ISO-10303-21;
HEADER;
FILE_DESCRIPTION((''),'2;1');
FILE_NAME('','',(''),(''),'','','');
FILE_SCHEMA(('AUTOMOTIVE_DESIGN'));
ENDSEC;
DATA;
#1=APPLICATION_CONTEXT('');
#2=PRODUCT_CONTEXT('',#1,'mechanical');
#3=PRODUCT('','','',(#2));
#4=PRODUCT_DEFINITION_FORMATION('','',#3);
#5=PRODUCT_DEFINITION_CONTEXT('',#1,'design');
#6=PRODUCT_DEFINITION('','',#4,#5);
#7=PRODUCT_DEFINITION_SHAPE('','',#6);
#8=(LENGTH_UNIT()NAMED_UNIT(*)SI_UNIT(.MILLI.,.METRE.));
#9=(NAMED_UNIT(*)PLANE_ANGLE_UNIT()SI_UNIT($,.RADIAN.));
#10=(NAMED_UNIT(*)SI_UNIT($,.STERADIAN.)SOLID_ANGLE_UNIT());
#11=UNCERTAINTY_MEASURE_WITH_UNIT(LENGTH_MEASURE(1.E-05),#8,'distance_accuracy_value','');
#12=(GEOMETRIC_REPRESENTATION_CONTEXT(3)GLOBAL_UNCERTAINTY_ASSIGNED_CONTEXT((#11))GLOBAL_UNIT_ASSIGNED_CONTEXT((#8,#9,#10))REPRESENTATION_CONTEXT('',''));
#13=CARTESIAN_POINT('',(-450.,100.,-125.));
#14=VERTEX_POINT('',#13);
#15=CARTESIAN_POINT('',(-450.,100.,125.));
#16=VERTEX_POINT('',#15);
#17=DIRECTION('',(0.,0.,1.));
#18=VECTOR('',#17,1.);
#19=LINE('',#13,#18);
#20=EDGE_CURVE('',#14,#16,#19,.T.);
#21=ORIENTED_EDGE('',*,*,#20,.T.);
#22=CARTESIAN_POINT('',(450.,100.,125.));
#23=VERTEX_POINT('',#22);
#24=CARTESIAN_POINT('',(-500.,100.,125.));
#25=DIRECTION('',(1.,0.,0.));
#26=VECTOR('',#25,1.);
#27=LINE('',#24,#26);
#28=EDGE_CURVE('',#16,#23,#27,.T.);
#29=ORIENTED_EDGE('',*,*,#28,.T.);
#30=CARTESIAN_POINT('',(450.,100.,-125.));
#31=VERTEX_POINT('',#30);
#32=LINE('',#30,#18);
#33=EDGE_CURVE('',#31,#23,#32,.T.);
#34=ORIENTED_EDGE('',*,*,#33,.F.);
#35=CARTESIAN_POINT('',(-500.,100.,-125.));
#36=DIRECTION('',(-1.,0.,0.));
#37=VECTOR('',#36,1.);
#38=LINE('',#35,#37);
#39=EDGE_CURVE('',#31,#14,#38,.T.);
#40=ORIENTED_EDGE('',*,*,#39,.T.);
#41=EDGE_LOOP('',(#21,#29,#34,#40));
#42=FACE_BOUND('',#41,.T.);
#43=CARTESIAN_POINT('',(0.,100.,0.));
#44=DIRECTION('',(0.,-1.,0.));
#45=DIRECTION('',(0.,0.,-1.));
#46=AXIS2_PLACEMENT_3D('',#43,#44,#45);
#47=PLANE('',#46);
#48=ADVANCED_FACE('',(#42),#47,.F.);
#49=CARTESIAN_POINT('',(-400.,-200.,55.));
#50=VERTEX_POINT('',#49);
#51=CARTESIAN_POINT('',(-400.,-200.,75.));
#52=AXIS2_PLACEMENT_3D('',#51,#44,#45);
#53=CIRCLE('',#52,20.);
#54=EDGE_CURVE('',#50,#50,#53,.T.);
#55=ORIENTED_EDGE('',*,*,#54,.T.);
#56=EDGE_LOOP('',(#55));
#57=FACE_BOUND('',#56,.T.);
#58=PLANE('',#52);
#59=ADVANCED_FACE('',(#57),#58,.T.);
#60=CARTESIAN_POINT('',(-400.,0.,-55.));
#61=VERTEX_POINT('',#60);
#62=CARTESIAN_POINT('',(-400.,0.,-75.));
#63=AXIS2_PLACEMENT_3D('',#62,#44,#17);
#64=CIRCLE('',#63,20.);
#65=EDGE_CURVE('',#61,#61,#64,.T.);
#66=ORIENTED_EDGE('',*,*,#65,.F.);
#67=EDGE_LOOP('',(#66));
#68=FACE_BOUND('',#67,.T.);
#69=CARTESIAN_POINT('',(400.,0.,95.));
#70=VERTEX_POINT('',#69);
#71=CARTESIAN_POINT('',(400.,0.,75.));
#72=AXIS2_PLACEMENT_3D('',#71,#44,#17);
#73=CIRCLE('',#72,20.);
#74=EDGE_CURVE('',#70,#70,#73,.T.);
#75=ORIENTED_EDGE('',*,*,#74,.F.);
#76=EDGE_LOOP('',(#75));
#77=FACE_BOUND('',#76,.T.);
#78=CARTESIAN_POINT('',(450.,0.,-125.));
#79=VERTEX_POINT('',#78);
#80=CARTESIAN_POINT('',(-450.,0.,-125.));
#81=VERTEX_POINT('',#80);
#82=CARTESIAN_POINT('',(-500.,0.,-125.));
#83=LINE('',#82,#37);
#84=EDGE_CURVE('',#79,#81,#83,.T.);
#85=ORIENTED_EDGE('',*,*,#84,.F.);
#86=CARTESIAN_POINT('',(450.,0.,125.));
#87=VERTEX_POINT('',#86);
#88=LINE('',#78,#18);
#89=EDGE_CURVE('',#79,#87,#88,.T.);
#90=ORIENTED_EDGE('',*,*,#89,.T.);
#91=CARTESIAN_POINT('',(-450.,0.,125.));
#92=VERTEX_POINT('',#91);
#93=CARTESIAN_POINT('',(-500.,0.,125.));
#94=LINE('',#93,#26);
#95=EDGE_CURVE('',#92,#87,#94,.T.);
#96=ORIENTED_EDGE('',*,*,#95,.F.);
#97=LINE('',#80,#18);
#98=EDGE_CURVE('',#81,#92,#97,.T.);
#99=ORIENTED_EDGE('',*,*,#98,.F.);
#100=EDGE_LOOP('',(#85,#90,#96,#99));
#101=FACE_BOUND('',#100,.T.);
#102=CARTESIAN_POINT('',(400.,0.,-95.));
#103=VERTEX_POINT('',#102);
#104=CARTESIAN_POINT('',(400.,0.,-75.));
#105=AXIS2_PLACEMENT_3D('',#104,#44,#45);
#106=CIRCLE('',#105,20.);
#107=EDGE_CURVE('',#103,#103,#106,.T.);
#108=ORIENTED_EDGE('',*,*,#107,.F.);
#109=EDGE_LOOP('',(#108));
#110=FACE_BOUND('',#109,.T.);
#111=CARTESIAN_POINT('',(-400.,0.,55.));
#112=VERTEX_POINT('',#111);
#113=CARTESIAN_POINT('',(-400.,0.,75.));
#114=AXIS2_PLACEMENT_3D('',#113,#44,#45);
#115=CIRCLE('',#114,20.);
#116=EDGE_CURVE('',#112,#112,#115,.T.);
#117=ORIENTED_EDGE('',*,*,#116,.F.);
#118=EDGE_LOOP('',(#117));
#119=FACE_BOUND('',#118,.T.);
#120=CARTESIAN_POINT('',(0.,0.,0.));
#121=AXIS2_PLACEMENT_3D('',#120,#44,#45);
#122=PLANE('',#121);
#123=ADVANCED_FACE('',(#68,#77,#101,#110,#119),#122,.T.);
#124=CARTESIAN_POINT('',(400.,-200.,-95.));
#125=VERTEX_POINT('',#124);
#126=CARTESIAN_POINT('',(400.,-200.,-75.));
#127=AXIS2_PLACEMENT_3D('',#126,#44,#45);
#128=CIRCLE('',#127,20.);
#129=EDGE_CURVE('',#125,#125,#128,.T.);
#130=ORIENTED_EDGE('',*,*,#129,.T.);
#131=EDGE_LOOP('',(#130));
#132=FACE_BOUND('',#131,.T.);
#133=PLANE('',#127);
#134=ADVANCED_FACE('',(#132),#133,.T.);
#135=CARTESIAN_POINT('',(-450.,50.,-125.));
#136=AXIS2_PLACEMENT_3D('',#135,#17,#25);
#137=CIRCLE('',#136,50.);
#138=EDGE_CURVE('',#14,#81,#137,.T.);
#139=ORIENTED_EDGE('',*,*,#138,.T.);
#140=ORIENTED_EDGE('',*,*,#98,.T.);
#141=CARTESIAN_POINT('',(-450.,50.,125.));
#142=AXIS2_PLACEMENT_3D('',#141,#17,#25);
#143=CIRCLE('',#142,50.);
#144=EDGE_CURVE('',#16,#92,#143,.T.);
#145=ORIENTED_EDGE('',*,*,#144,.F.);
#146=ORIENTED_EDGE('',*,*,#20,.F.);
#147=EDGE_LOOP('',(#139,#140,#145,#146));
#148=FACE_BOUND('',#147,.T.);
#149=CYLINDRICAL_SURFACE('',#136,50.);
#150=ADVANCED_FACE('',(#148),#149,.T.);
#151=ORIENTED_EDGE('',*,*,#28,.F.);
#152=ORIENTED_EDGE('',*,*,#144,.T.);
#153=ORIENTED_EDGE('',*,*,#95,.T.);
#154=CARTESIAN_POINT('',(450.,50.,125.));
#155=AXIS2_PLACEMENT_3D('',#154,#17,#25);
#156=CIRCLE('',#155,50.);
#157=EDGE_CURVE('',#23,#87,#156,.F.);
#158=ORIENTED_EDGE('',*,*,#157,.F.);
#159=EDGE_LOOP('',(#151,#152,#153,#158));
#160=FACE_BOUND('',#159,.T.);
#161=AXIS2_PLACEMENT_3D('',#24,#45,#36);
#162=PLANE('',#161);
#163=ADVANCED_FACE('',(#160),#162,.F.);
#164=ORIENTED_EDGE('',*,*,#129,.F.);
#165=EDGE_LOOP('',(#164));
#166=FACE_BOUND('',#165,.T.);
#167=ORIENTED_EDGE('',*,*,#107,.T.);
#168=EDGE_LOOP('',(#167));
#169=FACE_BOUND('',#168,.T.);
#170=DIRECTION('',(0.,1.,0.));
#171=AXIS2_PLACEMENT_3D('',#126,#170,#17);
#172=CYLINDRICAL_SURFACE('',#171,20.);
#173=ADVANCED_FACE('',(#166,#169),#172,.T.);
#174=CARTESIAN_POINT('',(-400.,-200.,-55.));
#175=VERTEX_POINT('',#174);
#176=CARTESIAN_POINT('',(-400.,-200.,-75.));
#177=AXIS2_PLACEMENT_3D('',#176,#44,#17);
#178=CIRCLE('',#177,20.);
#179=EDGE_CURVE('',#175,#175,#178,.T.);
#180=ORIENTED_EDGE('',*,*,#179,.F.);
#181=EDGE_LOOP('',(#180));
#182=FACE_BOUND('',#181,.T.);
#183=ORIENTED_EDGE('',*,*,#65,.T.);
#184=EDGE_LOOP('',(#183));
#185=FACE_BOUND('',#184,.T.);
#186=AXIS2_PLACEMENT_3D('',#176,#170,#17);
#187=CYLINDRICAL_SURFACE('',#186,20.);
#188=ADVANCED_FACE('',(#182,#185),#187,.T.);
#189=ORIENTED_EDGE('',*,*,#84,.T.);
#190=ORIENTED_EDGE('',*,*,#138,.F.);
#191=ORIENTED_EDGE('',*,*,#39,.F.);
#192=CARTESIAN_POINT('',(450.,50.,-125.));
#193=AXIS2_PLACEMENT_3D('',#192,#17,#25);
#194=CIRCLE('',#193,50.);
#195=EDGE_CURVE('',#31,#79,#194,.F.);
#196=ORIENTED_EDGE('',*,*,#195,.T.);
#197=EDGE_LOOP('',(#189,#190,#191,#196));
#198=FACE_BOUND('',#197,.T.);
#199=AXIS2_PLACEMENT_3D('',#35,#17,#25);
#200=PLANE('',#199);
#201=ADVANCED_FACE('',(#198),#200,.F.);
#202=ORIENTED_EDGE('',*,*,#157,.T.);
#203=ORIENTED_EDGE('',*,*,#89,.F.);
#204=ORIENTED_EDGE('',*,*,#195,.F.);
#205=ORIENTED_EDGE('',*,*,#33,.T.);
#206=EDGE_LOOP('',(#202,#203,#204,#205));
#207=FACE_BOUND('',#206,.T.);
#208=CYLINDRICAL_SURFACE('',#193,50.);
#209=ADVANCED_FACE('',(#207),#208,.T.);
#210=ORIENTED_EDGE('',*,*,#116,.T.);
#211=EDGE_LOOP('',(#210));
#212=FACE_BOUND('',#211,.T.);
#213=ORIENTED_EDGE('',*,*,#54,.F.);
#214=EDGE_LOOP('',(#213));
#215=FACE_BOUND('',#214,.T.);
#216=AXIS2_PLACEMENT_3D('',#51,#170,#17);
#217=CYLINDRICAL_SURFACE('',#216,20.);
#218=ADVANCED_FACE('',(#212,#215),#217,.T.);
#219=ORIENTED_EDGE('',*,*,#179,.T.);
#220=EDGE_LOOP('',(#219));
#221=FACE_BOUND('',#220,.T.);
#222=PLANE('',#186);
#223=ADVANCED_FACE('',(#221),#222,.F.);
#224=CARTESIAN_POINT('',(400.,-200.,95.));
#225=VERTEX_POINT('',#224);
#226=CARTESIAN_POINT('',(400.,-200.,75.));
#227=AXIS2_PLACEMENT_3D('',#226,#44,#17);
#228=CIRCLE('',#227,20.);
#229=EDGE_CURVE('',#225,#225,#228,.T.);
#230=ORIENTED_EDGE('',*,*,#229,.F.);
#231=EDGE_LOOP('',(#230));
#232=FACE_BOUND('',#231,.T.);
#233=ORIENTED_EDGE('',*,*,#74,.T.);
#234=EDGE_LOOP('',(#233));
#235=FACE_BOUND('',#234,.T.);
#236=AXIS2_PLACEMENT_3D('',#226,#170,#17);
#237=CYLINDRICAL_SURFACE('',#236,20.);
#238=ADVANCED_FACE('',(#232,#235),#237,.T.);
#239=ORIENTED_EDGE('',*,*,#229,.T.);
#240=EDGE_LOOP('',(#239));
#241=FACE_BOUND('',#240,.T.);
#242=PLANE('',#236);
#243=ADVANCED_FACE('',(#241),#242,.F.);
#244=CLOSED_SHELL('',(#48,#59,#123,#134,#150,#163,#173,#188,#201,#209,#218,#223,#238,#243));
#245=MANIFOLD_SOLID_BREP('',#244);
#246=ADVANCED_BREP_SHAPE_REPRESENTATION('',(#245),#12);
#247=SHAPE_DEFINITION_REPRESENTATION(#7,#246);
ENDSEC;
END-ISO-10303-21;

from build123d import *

# Parameters (mm, degrees)
SKETCH1_W           = 1000
SKETCH1_H           = 250
BOSS_EXTRUDE1_DEPTH = 100
CUT_EXTRUDE1_DEPTH  = 568.89083458
SKETCH3_R           = 20
BOSS_EXTRUDE2_DEPTH = 200


with BuildPart() as part:
    # Sketch1 → Boss-Extrude1 (new body)
    with BuildSketch(Plane(origin=(0, 0, 0), x_dir=(1, 0, 0), z_dir=(0, 1, 0))):
        Rectangle(SKETCH1_W, SKETCH1_H)
    extrude(amount=BOSS_EXTRUDE1_DEPTH)

    # Sketch2 → Cut-Extrude1 (cut, through all)
    with BuildSketch(Plane.XY.offset(125)):
        with BuildLine():
            ThreePointArc((-500, 50), (-485.355339059, 85.355339059), (-450, 100))
            Line((-450, 100), (-500, 100))
            Line((-500, 100), (-500, 50))
        make_face()
        with BuildLine():
            ThreePointArc((-450, 0), (-485.355339059, 14.644660941), (-500, 50))
            Line((-500, 50), (-500, 0))
            Line((-500, 0), (-450, 0))
        make_face()
        with BuildLine():
            Line((500, 100), (450, 100))
            ThreePointArc((450, 100), (485.355339059, 85.355339059), (500, 50))
            Line((500, 50), (500, 100))
        make_face()
        with BuildLine():
            Line((500, 0), (500, 50))
            ThreePointArc((500, 50), (485.355339059, 14.644660941), (450, 0))
            Line((450, 0), (500, 0))
        make_face()
    extrude(amount=-CUT_EXTRUDE1_DEPTH, mode=Mode.SUBTRACT)

    # Sketch3 → Boss-Extrude2 (add)
    with BuildSketch(Plane.XZ):
        with Locations(Location((-400, 75, 0), (0, 0, 270))):
            Circle(SKETCH3_R)
        with Locations(Location((400, 75, 0), (0, 0, 90))):
            Circle(SKETCH3_R)
        with Locations(Location((400, -75, 0), (0, 0, 270))):
            Circle(SKETCH3_R)
        with Locations(Location((-400, -75, 0), (0, 0, 90))):
            Circle(SKETCH3_R)
    extrude(amount=BOSS_EXTRUDE2_DEPTH)


solid = part.part
